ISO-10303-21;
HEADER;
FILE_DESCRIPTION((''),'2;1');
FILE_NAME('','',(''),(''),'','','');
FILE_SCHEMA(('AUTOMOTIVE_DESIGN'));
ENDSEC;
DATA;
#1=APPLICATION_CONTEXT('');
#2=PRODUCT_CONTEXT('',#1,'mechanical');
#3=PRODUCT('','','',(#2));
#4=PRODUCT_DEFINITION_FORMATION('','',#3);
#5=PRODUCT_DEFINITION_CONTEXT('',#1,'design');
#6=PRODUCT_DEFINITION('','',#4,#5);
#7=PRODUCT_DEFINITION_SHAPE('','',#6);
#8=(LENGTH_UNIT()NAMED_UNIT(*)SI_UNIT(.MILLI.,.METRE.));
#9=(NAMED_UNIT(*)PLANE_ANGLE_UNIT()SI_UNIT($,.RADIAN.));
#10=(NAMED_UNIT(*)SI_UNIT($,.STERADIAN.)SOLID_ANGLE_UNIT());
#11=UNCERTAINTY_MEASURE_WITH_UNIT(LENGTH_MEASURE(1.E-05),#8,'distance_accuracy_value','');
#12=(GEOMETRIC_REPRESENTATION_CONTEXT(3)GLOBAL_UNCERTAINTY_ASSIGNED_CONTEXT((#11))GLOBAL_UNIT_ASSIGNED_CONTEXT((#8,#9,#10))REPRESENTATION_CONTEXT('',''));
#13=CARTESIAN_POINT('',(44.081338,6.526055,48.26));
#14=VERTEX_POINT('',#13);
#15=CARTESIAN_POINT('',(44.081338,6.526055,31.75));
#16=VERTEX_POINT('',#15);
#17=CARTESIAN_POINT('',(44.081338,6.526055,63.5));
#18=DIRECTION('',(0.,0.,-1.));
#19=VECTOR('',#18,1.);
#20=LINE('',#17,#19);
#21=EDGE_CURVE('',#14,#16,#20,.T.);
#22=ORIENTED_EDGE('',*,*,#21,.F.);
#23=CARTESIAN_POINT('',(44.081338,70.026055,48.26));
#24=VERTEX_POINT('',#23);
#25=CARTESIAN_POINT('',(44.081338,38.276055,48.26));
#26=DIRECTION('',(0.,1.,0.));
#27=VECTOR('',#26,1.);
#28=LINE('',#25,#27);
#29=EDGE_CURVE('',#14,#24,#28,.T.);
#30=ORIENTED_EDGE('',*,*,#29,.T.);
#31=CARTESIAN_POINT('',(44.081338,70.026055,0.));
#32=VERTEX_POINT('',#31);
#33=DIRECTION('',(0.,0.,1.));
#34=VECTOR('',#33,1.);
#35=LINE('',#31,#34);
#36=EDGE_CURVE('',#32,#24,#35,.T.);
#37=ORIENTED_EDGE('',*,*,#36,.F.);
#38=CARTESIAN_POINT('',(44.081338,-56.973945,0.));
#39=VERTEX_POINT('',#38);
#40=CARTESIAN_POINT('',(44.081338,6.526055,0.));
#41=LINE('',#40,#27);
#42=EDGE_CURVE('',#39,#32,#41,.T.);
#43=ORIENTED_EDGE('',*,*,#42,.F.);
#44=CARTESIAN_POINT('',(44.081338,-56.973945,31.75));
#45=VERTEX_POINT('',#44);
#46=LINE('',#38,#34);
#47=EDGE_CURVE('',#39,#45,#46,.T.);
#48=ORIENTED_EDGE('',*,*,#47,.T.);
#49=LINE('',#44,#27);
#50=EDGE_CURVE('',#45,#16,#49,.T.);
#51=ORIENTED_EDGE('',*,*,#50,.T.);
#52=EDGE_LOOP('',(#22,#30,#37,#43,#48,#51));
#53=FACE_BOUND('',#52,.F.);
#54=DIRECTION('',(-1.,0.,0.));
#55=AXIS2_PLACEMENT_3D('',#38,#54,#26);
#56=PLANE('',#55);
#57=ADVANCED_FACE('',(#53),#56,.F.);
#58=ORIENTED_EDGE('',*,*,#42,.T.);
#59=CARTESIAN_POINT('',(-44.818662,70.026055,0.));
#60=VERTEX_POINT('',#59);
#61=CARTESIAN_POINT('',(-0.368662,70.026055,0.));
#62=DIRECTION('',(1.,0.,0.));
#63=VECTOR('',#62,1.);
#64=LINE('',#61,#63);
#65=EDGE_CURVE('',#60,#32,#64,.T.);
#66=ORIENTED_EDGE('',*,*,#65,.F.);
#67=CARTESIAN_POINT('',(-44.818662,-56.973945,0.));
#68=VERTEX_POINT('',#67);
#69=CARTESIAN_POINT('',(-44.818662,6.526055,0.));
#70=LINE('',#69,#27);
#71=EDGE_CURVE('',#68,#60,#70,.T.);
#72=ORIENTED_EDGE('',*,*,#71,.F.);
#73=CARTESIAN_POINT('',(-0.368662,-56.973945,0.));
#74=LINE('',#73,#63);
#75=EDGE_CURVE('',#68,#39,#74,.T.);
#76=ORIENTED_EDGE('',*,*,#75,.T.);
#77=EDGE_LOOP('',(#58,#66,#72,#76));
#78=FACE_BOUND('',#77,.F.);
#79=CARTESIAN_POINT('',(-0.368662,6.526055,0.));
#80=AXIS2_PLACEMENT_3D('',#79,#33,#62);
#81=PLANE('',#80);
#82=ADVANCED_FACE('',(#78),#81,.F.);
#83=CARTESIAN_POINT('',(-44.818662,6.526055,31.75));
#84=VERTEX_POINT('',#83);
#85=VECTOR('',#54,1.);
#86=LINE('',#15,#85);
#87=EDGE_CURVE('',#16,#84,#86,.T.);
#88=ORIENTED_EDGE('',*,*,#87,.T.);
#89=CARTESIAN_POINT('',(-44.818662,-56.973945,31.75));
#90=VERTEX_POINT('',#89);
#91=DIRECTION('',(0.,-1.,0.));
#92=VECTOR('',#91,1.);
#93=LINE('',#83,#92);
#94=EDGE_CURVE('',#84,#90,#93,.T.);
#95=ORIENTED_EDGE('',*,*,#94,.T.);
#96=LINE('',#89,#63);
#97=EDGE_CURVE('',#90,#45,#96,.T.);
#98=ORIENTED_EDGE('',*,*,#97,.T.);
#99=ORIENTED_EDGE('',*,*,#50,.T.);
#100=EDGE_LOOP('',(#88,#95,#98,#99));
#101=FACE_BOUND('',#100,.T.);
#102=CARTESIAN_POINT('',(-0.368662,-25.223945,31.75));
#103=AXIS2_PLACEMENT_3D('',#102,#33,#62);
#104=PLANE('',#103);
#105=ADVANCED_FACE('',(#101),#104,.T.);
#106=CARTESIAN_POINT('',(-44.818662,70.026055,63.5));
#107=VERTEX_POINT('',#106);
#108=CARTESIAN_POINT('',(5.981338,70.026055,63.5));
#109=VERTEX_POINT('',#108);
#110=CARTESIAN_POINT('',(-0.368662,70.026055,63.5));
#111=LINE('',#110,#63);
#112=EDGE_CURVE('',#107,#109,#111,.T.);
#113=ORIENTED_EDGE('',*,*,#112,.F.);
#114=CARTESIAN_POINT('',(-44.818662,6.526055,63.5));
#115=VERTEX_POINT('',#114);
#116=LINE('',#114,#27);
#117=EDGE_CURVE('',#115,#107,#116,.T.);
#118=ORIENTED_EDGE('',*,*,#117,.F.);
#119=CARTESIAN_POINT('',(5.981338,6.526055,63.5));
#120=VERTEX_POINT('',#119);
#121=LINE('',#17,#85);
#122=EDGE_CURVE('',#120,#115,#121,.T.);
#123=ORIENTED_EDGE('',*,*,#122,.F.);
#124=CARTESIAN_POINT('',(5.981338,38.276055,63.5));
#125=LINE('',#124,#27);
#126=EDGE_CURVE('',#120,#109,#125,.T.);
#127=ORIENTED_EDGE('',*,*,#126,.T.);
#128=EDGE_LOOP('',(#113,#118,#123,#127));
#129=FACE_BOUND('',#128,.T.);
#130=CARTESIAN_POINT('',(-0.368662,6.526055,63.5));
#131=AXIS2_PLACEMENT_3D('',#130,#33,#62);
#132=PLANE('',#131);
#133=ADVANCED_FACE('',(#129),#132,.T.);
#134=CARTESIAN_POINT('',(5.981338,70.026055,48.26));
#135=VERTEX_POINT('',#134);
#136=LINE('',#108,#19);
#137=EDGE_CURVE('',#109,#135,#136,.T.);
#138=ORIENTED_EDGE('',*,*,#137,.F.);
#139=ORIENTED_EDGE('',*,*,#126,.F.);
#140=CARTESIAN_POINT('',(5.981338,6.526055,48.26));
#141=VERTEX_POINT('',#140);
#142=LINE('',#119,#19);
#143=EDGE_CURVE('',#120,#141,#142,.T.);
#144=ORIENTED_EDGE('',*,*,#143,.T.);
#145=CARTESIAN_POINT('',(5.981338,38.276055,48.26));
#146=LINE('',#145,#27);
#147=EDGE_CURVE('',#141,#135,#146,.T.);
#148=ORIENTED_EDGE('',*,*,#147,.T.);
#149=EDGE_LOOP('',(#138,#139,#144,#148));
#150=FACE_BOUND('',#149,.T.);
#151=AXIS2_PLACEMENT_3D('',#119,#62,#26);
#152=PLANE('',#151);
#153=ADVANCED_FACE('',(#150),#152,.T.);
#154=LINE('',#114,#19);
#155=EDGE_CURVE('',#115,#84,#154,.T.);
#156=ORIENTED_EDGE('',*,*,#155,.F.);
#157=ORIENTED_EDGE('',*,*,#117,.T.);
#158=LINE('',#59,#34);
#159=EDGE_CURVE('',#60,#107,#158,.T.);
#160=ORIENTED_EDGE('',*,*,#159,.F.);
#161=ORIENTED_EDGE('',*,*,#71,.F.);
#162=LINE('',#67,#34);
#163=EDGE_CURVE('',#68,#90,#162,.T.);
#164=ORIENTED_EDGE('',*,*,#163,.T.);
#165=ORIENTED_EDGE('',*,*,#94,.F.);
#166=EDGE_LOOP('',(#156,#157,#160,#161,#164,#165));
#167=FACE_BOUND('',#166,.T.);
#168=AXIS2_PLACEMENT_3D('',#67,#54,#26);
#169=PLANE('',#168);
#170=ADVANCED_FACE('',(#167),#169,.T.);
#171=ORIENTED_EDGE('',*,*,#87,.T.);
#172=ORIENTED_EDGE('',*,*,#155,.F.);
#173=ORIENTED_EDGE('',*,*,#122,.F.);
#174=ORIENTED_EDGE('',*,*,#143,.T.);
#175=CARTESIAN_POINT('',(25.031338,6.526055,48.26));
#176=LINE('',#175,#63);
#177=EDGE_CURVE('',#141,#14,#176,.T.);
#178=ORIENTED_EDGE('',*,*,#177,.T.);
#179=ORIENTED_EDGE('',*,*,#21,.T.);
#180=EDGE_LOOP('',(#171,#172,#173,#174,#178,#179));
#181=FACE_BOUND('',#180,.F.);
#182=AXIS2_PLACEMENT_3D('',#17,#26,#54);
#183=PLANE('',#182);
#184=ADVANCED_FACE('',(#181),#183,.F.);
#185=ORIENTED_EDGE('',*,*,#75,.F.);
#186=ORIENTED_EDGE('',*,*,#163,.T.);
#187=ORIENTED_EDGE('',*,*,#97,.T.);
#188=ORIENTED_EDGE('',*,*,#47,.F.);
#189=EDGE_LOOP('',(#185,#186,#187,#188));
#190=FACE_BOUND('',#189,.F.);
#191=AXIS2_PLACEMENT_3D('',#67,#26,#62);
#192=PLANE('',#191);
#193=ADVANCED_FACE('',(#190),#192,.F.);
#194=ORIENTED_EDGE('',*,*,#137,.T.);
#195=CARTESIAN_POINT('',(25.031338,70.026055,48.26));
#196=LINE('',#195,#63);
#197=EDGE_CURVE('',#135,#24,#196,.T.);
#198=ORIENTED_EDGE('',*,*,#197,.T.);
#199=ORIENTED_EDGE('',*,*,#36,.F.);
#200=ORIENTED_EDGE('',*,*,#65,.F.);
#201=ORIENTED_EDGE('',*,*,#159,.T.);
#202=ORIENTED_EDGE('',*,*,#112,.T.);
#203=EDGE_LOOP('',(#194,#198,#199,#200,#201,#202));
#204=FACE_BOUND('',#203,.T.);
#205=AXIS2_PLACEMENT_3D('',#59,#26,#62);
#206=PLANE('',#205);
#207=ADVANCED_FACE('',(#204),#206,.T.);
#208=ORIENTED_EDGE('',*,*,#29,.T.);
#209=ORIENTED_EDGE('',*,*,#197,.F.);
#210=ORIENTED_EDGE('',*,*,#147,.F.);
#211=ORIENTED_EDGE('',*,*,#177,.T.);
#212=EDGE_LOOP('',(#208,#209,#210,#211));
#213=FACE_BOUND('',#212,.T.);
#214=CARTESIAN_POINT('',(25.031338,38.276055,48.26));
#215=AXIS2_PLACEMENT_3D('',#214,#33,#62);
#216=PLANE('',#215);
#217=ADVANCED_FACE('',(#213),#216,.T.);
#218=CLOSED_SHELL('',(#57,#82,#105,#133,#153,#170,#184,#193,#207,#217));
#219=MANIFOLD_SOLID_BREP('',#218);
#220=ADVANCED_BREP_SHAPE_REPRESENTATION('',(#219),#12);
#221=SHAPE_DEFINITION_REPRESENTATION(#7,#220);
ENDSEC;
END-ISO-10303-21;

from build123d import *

# Parameters (mm, degrees)
F0_W     = 88.9
F0_H     = 127
F1_DEPTH = 63.5
F2_W     = 38.1
F2_H     = 63.5
F3_DEPTH = 15.24
F5_DEPTH = 31.75


with BuildPart() as f1:
    # F0 (on Top) → F1 (new body)
    with BuildSketch(Plane.XY):
        with Locations((-0.36866225, 6.5260546505)):
            Rectangle(F0_W, F0_H)
    extrude(amount=F1_DEPTH)

    # F2 (on face) → F3 (cut)
    with BuildSketch(Plane.XY.offset(63.5)):
        with Locations((25.03133775, 38.2760546505)):
            Rectangle(F2_W, F2_H)
    extrude(amount=-F3_DEPTH, mode=Mode.SUBTRACT)

    # F4 (on face) → F5 (cut)
    with BuildSketch(Plane.XY.offset(63.5)):
        Polygon((44.08133775, 6.5260546505), (5.98133775, 6.5260546505), (-44.81866225, 6.5260546505), (-44.81866225, -56.9739453495), (44.08133775, -56.9739453495), align=None)
    extrude(amount=-F5_DEPTH, mode=Mode.SUBTRACT)


solid = f1.part
